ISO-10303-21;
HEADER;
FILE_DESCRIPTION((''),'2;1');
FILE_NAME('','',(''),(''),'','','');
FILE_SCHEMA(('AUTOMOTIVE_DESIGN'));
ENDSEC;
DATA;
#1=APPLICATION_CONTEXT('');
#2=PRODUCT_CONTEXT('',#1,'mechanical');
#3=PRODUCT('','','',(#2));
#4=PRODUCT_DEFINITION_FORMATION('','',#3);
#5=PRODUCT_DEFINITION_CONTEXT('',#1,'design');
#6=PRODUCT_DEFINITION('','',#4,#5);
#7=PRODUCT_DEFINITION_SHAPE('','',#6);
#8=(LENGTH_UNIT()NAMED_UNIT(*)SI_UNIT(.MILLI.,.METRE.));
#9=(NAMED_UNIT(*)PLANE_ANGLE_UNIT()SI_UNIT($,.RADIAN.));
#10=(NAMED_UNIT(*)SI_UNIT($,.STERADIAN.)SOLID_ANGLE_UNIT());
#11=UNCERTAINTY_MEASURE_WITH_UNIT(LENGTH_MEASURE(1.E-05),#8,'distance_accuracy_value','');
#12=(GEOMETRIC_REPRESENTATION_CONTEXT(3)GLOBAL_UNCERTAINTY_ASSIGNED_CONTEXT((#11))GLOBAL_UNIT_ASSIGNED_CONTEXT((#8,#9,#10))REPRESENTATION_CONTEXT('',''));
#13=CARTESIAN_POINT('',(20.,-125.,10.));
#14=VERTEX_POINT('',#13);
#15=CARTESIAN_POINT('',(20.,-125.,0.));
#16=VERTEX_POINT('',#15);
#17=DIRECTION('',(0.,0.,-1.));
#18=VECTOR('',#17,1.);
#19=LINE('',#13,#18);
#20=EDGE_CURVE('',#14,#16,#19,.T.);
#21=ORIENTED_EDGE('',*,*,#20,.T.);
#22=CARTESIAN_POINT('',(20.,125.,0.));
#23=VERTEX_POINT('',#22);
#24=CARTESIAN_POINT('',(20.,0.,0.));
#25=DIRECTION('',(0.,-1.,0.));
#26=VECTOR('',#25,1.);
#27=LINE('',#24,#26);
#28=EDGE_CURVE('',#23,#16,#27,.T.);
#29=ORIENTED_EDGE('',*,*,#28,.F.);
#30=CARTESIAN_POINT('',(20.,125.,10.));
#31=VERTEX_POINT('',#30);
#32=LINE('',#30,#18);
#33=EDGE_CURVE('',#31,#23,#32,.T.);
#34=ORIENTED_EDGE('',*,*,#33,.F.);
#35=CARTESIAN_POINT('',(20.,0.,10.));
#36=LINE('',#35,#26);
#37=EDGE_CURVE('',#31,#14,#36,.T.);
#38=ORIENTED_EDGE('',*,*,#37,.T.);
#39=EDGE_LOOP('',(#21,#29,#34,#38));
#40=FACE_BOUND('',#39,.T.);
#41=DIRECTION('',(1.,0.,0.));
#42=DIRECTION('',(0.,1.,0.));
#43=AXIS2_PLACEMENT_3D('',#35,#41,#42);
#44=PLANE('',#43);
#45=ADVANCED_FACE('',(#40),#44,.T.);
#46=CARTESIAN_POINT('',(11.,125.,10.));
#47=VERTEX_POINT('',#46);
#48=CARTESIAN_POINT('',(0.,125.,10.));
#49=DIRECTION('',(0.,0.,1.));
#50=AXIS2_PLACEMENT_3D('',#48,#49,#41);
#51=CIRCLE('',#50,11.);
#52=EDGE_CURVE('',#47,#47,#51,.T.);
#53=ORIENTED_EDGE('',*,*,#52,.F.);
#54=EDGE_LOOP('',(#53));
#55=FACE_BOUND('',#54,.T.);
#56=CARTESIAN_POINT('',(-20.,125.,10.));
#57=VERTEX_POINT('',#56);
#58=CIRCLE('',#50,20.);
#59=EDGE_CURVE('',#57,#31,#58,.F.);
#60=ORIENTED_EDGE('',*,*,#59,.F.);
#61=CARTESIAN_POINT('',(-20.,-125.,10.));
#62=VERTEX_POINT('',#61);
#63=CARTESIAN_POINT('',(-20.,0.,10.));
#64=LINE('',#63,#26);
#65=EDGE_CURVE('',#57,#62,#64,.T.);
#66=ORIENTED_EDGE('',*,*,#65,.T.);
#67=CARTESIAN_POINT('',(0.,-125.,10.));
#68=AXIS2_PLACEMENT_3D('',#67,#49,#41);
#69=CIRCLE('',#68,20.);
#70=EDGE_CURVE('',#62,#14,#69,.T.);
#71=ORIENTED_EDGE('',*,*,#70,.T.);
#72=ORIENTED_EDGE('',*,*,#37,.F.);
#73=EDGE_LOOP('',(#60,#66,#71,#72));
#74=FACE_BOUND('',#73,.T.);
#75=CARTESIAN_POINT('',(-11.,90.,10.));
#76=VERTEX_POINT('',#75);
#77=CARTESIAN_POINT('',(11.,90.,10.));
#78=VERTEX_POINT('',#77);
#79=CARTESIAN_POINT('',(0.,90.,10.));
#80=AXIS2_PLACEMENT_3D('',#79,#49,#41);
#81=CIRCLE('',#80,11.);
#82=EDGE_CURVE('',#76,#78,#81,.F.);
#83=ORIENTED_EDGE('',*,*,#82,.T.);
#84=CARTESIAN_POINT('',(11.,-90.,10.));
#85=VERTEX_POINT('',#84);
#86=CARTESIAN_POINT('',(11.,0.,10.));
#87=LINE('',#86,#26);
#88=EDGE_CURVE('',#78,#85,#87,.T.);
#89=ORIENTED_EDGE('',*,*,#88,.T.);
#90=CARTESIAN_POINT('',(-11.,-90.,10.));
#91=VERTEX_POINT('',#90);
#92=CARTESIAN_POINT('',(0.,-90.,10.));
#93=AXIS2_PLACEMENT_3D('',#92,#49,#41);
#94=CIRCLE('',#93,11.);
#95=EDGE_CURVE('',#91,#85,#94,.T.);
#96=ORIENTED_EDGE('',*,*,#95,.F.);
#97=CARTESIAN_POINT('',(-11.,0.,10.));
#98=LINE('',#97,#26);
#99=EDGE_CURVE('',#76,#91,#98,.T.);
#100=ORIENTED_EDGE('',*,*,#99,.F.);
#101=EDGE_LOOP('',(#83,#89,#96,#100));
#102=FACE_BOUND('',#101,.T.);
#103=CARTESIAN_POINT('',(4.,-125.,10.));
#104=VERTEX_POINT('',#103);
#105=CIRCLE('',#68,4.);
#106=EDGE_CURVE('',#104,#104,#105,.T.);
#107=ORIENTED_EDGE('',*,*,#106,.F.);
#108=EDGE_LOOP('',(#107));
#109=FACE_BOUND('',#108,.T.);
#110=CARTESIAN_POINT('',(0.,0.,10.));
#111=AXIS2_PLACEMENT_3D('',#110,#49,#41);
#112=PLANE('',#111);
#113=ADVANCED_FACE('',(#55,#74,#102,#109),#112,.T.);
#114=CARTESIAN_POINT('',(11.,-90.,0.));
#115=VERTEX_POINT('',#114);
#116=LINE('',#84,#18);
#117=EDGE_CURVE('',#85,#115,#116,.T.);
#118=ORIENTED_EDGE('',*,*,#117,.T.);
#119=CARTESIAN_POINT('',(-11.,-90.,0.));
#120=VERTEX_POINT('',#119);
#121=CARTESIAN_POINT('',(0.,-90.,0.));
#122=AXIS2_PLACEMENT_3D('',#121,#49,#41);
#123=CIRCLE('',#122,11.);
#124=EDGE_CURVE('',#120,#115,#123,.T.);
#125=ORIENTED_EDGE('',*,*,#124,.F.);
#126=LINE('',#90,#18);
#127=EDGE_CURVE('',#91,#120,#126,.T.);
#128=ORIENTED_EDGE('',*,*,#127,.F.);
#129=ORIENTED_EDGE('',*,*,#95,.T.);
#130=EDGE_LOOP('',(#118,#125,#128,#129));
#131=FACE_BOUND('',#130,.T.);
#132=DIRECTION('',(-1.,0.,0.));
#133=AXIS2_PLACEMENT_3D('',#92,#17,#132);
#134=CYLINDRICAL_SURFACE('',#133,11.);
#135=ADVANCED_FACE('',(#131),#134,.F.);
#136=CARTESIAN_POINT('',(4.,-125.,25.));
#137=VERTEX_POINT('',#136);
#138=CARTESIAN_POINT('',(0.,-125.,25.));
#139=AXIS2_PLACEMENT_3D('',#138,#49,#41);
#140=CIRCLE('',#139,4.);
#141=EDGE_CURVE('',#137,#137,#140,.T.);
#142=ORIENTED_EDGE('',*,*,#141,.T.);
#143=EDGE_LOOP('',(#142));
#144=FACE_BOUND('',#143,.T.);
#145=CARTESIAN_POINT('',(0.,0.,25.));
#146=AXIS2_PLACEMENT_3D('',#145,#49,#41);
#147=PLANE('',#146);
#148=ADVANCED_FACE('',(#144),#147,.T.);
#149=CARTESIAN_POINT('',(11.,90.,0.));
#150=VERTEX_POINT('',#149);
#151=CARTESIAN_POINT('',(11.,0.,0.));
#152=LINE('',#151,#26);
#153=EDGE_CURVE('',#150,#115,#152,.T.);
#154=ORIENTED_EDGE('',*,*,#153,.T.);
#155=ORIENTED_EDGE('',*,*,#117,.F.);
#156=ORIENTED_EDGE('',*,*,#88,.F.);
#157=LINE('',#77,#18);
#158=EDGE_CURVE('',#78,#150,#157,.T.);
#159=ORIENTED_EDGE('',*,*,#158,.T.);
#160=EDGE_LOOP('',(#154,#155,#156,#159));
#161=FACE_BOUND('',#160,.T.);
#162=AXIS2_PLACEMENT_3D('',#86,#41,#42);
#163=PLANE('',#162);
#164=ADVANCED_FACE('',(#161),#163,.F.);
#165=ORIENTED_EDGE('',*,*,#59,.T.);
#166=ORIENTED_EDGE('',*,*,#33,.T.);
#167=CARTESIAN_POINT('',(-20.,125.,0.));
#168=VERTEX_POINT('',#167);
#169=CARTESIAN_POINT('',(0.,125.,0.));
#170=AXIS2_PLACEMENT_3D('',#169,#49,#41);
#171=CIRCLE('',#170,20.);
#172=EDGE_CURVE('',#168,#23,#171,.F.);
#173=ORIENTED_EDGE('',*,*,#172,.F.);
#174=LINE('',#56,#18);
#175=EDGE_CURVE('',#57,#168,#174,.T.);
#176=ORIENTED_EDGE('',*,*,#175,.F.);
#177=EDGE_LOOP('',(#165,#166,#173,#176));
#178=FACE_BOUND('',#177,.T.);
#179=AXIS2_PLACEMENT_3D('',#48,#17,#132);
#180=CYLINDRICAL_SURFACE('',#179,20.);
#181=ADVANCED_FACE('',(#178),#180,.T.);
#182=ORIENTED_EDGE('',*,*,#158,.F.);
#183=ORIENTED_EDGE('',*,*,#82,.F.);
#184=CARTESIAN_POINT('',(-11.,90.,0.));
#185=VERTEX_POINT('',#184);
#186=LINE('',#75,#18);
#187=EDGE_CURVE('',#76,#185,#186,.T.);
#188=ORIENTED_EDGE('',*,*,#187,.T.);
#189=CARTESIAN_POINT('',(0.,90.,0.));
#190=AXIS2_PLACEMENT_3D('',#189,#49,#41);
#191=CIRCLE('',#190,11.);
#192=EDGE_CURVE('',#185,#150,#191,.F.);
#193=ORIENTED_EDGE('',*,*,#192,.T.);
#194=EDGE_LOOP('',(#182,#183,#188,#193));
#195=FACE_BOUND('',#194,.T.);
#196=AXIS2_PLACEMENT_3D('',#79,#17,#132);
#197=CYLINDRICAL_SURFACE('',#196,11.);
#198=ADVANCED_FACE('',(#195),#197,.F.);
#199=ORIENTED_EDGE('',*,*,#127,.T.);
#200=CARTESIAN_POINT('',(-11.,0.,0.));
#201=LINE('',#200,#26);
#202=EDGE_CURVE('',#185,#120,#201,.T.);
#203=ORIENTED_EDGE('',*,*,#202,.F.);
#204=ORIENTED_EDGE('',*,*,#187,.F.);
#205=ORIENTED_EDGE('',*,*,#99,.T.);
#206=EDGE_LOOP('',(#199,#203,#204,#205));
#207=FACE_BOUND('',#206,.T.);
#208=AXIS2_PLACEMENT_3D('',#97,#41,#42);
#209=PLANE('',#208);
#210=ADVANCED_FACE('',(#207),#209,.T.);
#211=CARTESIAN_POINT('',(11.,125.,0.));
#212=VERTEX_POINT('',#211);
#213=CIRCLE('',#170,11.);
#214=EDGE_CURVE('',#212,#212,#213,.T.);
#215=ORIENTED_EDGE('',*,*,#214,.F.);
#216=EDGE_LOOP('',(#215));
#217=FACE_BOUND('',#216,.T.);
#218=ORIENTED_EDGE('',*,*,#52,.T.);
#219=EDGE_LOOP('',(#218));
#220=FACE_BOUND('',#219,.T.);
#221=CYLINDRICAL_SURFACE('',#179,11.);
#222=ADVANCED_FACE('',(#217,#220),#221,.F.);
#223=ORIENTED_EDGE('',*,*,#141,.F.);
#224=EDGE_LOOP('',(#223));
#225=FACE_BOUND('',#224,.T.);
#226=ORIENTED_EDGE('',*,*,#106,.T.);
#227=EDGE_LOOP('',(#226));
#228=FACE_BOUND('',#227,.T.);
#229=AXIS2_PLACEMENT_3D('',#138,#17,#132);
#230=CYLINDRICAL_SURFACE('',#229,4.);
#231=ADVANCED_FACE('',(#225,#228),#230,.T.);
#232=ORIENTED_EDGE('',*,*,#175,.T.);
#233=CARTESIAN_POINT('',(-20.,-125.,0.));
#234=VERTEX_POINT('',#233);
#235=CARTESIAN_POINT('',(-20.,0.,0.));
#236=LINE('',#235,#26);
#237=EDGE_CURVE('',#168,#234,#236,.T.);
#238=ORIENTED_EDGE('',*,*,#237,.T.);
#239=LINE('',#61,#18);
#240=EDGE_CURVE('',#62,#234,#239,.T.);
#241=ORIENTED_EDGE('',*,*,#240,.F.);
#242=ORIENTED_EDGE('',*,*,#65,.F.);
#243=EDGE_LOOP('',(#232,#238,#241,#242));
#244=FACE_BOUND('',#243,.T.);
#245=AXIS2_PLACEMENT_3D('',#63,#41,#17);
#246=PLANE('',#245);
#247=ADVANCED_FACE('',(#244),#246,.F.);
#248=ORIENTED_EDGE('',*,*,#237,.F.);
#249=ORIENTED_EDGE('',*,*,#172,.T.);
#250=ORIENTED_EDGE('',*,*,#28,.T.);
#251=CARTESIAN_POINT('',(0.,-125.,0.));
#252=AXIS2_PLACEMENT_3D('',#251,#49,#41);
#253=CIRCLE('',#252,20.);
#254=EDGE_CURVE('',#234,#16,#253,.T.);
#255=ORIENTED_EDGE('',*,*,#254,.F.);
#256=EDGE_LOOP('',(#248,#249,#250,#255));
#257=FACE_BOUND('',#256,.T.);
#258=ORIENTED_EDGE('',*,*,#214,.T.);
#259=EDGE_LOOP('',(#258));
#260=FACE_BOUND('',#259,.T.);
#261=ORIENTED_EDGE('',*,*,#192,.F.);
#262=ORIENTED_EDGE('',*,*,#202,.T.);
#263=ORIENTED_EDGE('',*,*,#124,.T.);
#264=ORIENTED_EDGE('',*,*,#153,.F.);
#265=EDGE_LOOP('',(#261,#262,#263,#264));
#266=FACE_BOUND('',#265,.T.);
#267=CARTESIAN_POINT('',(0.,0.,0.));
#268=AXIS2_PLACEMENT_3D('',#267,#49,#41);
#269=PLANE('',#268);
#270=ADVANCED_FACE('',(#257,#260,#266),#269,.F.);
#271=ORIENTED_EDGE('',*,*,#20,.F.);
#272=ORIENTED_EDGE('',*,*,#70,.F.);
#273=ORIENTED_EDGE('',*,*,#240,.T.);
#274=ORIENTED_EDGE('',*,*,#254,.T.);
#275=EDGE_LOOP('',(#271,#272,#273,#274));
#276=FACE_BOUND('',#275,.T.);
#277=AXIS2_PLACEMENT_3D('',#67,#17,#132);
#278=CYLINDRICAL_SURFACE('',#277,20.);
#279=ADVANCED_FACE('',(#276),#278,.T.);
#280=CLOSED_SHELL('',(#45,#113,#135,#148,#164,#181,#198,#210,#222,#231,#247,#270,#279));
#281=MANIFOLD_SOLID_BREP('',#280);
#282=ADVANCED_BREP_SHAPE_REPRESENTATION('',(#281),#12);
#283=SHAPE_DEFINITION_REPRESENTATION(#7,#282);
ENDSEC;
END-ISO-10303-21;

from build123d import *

# Parameters (mm, degrees)
SKETCH5_R           = 4
SKETCH5_R_2         = 11
BOSS_EXTRUDE4_DEPTH = 10
SKETCH5_3_R         = 4
BOSS_EXTRUDE5_DEPTH = 25


with BuildPart() as part:
    # Sketch5 → Boss-Extrude4 (new body)
    with BuildSketch(Plane.XY):
        with BuildLine():
            ThreePointArc((20, 125), (0, 145), (-20, 125))
            Line((-20, 125), (-20, -125))
            ThreePointArc((-20, -125), (0, -145), (20, -125))
            Line((20, -125), (20, 125))
        make_face()
        with Locations((0, -125)):
            Circle(SKETCH5_R, mode=Mode.SUBTRACT)
        with BuildLine():
            Line((-11, -90), (-11, 90))
            ThreePointArc((-11, 90), (0, 101), (11, 90))
            Line((11, 90), (11, -90))
            ThreePointArc((11, -90), (0, -101), (-11, -90))
        make_face(mode=Mode.SUBTRACT)
        with Locations((0, 125)):
            Circle(SKETCH5_R_2, mode=Mode.SUBTRACT)
    extrude(amount=BOSS_EXTRUDE4_DEPTH)

    # Sketch5<3> → Boss-Extrude5 (add)
    with BuildSketch(Plane.XY):
        with Locations((0, -125)):
            Circle(SKETCH5_3_R)
    extrude(amount=BOSS_EXTRUDE5_DEPTH)


solid = part.part
